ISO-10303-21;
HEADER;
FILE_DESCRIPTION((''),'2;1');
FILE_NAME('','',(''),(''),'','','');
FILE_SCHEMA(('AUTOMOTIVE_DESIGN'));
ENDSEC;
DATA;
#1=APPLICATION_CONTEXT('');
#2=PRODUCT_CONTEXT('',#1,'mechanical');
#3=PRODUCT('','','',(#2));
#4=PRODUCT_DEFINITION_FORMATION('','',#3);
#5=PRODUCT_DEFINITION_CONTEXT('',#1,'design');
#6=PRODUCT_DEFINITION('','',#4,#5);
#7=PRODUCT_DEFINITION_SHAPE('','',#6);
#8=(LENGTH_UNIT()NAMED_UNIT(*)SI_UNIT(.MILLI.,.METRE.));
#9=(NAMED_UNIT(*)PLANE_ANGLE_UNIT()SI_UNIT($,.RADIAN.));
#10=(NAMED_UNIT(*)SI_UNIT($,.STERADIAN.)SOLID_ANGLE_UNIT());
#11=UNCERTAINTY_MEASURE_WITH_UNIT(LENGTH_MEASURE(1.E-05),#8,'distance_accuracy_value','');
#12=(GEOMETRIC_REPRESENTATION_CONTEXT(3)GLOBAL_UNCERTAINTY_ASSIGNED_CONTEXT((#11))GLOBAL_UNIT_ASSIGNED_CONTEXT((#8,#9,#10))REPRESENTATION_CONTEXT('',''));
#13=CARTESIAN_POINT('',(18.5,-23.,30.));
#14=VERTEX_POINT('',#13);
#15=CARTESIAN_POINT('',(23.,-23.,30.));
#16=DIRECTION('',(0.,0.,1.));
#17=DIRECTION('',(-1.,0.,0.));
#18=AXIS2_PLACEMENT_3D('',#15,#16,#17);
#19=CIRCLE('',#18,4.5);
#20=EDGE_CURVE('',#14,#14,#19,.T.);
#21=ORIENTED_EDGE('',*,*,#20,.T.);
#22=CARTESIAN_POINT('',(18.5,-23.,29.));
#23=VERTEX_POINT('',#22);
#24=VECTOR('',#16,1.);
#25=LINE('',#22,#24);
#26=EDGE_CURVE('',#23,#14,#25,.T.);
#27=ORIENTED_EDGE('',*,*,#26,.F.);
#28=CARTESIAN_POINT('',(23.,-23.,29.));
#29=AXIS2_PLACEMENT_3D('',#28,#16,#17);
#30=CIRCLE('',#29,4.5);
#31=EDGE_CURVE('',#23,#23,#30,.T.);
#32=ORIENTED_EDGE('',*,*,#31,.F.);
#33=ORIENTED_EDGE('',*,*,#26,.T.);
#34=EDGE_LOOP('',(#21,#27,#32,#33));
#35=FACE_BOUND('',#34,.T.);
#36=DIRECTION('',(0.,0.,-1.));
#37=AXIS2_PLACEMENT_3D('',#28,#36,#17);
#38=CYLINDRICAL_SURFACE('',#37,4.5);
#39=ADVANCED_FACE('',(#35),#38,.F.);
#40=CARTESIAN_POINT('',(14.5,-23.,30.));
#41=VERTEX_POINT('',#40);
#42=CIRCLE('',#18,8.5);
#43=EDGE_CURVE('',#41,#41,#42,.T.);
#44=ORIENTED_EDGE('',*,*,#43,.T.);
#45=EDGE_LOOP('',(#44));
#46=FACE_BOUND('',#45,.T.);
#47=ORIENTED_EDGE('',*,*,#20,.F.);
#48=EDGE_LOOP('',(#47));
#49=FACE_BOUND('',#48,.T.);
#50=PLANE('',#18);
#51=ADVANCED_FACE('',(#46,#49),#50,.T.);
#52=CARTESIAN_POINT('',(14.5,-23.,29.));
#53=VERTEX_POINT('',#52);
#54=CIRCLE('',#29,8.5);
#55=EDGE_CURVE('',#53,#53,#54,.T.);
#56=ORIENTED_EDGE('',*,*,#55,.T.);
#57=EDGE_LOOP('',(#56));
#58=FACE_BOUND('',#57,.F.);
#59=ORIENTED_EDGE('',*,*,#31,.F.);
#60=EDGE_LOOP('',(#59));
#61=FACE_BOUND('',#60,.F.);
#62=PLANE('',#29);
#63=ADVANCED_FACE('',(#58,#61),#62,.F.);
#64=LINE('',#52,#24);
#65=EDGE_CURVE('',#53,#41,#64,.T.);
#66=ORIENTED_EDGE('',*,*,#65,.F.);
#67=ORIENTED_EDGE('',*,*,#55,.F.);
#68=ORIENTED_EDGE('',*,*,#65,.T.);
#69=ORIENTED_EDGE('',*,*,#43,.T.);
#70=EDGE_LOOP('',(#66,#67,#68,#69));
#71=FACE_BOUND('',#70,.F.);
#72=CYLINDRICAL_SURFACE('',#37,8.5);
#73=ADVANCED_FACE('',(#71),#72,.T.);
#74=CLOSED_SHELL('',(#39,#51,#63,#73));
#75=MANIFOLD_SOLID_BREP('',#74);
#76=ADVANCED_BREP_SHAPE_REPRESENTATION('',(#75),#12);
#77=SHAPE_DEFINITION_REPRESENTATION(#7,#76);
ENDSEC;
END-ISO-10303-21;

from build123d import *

# Parameters (mm, degrees)
SKETCH021_R   = 8.5
SKETCH021_R_2 = 4.5
PAD023_DEPTH  = 1


with BuildPart() as clone_of_spacer:
    # Sketch021 → Pad023 (new body)
    with BuildSketch(Plane.XY.offset(29)):
        with Locations((-23, 23)):
            Circle(SKETCH021_R)
        with Locations((-23, 23)):
            Circle(SKETCH021_R_2, mode=Mode.SUBTRACT)
    extrude(amount=PAD023_DEPTH)


with BuildPart() as part_mirroring042:
    # Part__Mirroring042: instance of Clone of spacer
    add(clone_of_spacer.part.mirror(Plane(origin=(0, 0, 0), x_dir=(1, 0, 0), z_dir=(0, 1, 0))))


with BuildPart() as part_mirroring044:
    # Part__Mirroring044: instance of Part__Mirroring042
    add(part_mirroring042.part.mirror(Plane(origin=(0, 0, 0), x_dir=(0, -1, 0), z_dir=(1, 0, 0))))


solid = part_mirroring044.part
